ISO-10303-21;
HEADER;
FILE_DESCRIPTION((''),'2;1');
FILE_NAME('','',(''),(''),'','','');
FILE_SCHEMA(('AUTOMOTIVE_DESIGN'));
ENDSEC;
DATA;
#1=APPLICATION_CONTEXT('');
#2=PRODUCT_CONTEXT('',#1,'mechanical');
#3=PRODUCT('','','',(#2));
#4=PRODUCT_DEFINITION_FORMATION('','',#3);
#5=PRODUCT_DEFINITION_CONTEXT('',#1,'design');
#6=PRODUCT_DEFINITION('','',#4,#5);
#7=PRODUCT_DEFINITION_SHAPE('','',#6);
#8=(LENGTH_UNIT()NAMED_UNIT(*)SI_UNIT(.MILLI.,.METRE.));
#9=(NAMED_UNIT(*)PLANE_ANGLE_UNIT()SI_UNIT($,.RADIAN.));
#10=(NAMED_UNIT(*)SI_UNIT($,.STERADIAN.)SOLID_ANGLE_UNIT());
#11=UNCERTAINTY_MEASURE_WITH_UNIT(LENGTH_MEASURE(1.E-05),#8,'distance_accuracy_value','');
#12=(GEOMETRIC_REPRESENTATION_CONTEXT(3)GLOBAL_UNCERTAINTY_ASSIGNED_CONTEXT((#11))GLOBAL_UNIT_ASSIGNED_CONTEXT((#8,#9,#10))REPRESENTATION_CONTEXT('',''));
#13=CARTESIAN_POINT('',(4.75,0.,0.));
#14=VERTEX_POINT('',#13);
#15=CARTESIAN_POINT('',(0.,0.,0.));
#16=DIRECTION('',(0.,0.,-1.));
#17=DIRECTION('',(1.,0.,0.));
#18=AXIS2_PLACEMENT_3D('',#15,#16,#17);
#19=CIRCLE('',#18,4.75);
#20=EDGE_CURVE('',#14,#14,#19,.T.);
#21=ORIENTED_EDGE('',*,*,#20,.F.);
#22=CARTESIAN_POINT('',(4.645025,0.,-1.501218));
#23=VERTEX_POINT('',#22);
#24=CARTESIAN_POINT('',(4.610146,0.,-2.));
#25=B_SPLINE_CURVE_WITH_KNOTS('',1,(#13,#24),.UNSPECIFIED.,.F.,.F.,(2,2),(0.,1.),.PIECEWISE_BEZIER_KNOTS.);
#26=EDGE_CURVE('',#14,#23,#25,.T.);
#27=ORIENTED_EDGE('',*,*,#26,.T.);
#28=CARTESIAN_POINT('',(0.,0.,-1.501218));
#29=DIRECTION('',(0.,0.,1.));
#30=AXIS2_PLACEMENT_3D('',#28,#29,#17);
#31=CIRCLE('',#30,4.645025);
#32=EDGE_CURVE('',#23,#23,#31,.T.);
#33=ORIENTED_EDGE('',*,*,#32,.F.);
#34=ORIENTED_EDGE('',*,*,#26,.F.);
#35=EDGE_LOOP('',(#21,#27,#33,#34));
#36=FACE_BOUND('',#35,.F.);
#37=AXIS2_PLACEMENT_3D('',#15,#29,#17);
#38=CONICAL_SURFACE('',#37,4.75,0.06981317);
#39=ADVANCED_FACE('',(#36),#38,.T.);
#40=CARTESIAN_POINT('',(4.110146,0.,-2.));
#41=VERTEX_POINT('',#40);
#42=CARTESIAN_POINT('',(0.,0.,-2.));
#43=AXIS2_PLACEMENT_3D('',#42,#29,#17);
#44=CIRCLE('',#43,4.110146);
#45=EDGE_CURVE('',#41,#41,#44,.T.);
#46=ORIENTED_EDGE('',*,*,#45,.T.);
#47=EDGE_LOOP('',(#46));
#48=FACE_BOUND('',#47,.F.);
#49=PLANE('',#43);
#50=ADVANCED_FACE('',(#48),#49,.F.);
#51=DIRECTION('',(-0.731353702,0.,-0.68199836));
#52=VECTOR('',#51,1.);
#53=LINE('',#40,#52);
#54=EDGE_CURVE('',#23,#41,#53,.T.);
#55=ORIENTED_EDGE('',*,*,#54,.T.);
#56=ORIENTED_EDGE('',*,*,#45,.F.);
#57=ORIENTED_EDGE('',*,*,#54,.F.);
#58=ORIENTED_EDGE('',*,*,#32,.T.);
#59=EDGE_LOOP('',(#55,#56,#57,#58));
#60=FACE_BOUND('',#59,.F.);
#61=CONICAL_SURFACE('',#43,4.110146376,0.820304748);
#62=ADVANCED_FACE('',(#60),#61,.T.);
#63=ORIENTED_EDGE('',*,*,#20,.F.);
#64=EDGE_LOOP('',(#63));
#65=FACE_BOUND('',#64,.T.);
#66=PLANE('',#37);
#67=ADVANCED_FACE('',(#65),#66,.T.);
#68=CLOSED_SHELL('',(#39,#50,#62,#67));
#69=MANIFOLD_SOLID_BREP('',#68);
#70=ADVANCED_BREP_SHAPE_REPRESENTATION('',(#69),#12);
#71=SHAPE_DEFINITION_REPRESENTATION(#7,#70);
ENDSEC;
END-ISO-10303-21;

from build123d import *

# Parameters (mm, degrees)
F0_R     = 4.75
F1_DEPTH = 2
F1_TAPER = 4
F2_SIZE  = 0.5


with BuildPart() as f1:
    # F0 (on Top) → F1 (new body)
    with BuildSketch(Plane.XY):
        Circle(F0_R)
    extrude(amount=-F1_DEPTH, taper=F1_TAPER)

    # F2
    f2_edges = [f1.edges().sort_by_distance(p)[0] for p in [
        (-4.610146, 0, -2),
    ]]
    chamfer(f2_edges, length=F2_SIZE)


solid = f1.part
